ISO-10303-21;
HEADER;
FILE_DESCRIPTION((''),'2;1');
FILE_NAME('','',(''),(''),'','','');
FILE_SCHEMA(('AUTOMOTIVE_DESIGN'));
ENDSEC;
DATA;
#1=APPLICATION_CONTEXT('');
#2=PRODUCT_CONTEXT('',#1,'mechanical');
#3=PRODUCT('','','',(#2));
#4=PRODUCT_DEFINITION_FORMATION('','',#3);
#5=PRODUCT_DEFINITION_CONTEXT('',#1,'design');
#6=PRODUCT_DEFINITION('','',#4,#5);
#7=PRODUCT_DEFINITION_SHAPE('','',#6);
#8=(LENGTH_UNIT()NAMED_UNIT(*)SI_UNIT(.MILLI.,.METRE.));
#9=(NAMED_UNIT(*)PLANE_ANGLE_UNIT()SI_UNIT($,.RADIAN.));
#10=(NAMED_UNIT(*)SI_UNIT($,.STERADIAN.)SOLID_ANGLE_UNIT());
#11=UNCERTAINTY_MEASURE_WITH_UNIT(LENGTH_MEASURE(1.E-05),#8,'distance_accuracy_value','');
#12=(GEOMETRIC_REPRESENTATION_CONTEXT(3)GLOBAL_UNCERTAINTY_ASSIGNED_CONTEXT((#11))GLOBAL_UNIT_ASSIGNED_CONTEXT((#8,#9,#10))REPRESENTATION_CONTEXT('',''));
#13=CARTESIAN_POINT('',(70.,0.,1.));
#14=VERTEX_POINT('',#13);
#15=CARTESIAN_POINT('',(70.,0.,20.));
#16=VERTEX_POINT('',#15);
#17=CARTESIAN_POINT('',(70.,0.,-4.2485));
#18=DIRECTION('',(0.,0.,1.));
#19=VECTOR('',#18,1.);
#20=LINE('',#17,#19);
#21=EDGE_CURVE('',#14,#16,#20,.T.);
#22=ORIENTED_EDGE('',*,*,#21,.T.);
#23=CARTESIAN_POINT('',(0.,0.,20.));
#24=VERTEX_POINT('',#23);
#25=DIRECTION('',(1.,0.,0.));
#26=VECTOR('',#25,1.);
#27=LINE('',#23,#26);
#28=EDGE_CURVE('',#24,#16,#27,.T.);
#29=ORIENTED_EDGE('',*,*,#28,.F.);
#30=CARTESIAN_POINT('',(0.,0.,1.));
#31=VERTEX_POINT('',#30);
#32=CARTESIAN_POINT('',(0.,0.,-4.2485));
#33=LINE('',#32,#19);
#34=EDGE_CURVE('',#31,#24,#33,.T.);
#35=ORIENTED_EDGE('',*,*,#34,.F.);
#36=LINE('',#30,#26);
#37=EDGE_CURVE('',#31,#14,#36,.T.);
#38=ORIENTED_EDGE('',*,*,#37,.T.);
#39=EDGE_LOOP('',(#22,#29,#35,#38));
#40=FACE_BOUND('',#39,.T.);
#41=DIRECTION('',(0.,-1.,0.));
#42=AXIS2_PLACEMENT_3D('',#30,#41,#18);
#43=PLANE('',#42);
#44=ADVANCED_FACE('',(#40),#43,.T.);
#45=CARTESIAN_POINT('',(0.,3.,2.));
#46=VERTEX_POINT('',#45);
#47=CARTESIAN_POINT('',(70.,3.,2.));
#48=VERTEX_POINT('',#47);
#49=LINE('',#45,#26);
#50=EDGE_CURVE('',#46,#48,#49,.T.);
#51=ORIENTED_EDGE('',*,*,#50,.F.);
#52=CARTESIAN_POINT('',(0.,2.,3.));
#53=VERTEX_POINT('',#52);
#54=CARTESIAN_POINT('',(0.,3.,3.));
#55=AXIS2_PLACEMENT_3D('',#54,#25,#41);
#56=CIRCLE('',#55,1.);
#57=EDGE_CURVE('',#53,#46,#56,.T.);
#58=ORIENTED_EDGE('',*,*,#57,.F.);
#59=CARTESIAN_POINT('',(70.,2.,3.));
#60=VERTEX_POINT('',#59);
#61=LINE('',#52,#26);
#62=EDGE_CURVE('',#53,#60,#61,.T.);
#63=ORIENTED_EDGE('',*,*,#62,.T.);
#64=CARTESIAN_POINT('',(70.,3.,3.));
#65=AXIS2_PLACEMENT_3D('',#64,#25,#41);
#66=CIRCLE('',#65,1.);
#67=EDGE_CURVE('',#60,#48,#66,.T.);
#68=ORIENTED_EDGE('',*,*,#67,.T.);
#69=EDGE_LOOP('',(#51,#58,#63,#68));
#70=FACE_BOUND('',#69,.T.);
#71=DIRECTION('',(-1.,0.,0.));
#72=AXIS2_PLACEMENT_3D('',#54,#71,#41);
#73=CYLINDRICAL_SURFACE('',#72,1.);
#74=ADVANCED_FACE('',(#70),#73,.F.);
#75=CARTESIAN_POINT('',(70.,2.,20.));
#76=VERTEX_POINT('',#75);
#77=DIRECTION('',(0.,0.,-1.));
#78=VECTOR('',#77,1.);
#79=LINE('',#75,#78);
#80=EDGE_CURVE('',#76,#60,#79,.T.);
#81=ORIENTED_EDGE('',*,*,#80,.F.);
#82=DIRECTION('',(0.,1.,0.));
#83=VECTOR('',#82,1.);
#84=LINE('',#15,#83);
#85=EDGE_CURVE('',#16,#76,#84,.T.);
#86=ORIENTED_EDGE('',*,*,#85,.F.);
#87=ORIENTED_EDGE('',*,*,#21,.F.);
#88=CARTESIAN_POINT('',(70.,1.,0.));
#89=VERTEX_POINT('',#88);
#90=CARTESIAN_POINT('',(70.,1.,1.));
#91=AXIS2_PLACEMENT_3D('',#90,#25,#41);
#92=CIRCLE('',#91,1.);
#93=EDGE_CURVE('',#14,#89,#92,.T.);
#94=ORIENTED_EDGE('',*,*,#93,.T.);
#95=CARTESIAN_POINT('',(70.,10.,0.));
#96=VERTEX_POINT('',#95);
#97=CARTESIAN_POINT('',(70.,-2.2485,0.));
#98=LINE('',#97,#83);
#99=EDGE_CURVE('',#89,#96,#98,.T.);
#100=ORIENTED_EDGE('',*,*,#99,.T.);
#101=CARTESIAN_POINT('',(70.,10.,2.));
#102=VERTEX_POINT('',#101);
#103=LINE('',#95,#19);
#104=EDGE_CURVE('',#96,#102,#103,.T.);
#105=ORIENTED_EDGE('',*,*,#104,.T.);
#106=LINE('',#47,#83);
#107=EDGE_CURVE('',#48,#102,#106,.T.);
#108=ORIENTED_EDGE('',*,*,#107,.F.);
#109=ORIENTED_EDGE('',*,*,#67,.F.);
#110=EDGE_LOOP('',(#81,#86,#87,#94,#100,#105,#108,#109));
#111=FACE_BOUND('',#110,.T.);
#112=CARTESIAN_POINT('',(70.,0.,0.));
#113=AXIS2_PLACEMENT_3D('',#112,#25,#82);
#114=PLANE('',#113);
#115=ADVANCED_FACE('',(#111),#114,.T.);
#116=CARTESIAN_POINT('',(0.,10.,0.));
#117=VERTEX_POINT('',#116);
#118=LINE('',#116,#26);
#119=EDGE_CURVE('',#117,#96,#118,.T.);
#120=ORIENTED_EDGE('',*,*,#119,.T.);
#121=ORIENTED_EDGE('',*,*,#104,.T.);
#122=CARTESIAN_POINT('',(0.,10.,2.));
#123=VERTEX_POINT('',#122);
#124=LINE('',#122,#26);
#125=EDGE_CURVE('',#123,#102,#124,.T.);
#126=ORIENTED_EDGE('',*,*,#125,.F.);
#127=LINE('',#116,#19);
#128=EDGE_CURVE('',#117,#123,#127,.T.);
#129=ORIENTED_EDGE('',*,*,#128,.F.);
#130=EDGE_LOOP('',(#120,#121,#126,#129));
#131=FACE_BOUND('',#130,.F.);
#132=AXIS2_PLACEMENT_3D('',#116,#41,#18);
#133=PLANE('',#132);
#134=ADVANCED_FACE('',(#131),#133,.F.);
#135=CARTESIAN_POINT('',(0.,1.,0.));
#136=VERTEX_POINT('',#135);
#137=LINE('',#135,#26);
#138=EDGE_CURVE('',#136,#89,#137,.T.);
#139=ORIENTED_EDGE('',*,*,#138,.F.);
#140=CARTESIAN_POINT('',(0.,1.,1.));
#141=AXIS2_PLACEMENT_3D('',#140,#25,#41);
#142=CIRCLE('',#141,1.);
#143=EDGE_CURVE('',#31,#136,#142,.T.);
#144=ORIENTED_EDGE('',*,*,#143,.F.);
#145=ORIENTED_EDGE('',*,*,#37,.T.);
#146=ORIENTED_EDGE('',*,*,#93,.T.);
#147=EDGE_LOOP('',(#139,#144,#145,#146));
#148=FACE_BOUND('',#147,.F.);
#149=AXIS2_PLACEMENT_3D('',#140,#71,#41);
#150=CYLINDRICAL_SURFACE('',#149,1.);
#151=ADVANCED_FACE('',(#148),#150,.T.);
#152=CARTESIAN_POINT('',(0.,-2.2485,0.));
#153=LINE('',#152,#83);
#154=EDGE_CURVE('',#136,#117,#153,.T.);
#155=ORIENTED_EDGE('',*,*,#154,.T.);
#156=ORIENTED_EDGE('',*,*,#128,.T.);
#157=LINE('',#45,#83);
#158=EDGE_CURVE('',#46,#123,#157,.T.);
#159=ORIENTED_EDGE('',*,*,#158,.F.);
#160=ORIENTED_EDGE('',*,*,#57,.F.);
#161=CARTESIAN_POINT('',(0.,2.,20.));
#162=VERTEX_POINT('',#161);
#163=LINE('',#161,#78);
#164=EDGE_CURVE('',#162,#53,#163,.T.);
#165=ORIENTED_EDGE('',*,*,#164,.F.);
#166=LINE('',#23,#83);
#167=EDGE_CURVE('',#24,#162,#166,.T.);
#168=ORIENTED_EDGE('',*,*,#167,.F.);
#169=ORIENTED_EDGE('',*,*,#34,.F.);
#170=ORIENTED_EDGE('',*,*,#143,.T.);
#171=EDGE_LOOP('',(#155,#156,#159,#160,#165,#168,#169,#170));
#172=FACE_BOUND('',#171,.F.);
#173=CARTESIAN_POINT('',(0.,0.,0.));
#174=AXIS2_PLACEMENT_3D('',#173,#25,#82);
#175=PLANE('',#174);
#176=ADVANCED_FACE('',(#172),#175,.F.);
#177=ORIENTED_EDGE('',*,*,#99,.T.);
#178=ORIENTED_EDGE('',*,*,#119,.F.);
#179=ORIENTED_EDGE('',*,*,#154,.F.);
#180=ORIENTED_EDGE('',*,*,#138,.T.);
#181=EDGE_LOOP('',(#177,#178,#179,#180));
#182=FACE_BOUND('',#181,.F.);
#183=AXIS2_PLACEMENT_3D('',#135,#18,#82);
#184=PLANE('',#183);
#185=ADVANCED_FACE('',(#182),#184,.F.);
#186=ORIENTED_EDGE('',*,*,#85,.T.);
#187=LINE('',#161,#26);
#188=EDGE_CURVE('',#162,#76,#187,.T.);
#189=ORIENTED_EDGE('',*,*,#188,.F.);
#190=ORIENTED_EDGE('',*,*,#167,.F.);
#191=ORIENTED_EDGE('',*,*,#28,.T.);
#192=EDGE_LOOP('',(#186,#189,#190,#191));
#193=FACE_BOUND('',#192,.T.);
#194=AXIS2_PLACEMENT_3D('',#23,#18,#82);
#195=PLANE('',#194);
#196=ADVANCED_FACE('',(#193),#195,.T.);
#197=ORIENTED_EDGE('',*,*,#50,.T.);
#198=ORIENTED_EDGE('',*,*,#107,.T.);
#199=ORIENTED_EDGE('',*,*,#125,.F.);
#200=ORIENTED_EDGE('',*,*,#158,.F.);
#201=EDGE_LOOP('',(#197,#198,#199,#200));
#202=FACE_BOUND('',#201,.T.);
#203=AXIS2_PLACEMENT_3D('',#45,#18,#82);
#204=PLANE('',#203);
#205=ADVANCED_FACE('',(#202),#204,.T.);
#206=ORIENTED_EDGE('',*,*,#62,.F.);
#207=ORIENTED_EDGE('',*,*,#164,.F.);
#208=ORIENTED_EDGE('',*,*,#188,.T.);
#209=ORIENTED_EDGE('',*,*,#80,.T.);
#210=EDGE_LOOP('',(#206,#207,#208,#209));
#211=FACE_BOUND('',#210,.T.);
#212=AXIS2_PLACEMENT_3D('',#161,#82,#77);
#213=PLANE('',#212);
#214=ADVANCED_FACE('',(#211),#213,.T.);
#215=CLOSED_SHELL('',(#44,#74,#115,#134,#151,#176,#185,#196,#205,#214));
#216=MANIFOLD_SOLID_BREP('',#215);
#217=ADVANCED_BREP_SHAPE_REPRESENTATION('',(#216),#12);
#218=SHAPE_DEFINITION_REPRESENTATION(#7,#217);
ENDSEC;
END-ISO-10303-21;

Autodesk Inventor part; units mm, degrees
ref_plane "YZ Plane" through (0, 0, 0) normal (1, 0, 0) x (0, 1, 0)
ref_plane "XZ Plane" through (0, 0, 0) normal (0, 1, 0) x (-1, 0, 0)
ref_plane "XY Plane" through (0, 0, 0) normal (0, 0, 1) x (1, 0, 0)
sketch "Szkic1" plane through (0, 0, 0) normal (1, 0, 0) x (0, 1, 0)
  point P0 (0, 0)
sketch "Szkic2" plane through (0, 0, 0) normal (1, 0, 0) x (0, 1, 0)
  point P0 (0, 0)
sketch "Szkic3" plane through (0, 0, 0) normal (1, 0, 0) x (0, 1, 0)
  line L0 (-2.2485, 0) -> (12.0414, 0)
  line L1 (0, -4.2485) -> (0, 24.0414)
  line L2 (10, 0) -> (1, 0)
  line L3 (0, 1) -> (0, 20)
  line L4 (2, 20) -> (2, 3)
  line L5 (3, 2) -> (10, 2)
  line L6 (0, 20) -> (2, 20)
  line L7 (10, 0) -> (10, 2)
  arc A0 (2, 3) -> (3, 2) centre (3, 3) ccw
  arc A1 (0, 1) -> (1, 0) centre (1, 1) ccw
  point P0 (0, 0)
  point P1 (0, 0)
  dimension "d0" = 20
  dimension "d1" = 10
  dimension "d2" = 2
  dimension "d3" = 1
extrude "Wyciągnięcie proste1" add sketch "Szkic3" along normal blind 70 contours A1 L1 L6 L4 A0 L5 L7 L0
equation "\"PromieńGięcia\" = Grubość"
equation "\"SzerokośćGięciaPodcięcia\" = Grubość"
equation "\"GłębokośćGięciaPodcięcia\" = 0.5 * Grubość"
equation "\"RozmiarPodcięciaNarożnika\" = 4 * Grubość"
equation "\"MinimalnaPozostałość\" = 2 * Grubość"
equation "\"PromieńPrzejścia\" = PromieńGięcia"
equation "\"Rozmiar_promienia_Jacobiego\" = PromieńGięcia"
equation "\"Wielk_odstępu\" = Grubość"
equation "\"Grubość\" = 0.5"
properties part number "podpora"
